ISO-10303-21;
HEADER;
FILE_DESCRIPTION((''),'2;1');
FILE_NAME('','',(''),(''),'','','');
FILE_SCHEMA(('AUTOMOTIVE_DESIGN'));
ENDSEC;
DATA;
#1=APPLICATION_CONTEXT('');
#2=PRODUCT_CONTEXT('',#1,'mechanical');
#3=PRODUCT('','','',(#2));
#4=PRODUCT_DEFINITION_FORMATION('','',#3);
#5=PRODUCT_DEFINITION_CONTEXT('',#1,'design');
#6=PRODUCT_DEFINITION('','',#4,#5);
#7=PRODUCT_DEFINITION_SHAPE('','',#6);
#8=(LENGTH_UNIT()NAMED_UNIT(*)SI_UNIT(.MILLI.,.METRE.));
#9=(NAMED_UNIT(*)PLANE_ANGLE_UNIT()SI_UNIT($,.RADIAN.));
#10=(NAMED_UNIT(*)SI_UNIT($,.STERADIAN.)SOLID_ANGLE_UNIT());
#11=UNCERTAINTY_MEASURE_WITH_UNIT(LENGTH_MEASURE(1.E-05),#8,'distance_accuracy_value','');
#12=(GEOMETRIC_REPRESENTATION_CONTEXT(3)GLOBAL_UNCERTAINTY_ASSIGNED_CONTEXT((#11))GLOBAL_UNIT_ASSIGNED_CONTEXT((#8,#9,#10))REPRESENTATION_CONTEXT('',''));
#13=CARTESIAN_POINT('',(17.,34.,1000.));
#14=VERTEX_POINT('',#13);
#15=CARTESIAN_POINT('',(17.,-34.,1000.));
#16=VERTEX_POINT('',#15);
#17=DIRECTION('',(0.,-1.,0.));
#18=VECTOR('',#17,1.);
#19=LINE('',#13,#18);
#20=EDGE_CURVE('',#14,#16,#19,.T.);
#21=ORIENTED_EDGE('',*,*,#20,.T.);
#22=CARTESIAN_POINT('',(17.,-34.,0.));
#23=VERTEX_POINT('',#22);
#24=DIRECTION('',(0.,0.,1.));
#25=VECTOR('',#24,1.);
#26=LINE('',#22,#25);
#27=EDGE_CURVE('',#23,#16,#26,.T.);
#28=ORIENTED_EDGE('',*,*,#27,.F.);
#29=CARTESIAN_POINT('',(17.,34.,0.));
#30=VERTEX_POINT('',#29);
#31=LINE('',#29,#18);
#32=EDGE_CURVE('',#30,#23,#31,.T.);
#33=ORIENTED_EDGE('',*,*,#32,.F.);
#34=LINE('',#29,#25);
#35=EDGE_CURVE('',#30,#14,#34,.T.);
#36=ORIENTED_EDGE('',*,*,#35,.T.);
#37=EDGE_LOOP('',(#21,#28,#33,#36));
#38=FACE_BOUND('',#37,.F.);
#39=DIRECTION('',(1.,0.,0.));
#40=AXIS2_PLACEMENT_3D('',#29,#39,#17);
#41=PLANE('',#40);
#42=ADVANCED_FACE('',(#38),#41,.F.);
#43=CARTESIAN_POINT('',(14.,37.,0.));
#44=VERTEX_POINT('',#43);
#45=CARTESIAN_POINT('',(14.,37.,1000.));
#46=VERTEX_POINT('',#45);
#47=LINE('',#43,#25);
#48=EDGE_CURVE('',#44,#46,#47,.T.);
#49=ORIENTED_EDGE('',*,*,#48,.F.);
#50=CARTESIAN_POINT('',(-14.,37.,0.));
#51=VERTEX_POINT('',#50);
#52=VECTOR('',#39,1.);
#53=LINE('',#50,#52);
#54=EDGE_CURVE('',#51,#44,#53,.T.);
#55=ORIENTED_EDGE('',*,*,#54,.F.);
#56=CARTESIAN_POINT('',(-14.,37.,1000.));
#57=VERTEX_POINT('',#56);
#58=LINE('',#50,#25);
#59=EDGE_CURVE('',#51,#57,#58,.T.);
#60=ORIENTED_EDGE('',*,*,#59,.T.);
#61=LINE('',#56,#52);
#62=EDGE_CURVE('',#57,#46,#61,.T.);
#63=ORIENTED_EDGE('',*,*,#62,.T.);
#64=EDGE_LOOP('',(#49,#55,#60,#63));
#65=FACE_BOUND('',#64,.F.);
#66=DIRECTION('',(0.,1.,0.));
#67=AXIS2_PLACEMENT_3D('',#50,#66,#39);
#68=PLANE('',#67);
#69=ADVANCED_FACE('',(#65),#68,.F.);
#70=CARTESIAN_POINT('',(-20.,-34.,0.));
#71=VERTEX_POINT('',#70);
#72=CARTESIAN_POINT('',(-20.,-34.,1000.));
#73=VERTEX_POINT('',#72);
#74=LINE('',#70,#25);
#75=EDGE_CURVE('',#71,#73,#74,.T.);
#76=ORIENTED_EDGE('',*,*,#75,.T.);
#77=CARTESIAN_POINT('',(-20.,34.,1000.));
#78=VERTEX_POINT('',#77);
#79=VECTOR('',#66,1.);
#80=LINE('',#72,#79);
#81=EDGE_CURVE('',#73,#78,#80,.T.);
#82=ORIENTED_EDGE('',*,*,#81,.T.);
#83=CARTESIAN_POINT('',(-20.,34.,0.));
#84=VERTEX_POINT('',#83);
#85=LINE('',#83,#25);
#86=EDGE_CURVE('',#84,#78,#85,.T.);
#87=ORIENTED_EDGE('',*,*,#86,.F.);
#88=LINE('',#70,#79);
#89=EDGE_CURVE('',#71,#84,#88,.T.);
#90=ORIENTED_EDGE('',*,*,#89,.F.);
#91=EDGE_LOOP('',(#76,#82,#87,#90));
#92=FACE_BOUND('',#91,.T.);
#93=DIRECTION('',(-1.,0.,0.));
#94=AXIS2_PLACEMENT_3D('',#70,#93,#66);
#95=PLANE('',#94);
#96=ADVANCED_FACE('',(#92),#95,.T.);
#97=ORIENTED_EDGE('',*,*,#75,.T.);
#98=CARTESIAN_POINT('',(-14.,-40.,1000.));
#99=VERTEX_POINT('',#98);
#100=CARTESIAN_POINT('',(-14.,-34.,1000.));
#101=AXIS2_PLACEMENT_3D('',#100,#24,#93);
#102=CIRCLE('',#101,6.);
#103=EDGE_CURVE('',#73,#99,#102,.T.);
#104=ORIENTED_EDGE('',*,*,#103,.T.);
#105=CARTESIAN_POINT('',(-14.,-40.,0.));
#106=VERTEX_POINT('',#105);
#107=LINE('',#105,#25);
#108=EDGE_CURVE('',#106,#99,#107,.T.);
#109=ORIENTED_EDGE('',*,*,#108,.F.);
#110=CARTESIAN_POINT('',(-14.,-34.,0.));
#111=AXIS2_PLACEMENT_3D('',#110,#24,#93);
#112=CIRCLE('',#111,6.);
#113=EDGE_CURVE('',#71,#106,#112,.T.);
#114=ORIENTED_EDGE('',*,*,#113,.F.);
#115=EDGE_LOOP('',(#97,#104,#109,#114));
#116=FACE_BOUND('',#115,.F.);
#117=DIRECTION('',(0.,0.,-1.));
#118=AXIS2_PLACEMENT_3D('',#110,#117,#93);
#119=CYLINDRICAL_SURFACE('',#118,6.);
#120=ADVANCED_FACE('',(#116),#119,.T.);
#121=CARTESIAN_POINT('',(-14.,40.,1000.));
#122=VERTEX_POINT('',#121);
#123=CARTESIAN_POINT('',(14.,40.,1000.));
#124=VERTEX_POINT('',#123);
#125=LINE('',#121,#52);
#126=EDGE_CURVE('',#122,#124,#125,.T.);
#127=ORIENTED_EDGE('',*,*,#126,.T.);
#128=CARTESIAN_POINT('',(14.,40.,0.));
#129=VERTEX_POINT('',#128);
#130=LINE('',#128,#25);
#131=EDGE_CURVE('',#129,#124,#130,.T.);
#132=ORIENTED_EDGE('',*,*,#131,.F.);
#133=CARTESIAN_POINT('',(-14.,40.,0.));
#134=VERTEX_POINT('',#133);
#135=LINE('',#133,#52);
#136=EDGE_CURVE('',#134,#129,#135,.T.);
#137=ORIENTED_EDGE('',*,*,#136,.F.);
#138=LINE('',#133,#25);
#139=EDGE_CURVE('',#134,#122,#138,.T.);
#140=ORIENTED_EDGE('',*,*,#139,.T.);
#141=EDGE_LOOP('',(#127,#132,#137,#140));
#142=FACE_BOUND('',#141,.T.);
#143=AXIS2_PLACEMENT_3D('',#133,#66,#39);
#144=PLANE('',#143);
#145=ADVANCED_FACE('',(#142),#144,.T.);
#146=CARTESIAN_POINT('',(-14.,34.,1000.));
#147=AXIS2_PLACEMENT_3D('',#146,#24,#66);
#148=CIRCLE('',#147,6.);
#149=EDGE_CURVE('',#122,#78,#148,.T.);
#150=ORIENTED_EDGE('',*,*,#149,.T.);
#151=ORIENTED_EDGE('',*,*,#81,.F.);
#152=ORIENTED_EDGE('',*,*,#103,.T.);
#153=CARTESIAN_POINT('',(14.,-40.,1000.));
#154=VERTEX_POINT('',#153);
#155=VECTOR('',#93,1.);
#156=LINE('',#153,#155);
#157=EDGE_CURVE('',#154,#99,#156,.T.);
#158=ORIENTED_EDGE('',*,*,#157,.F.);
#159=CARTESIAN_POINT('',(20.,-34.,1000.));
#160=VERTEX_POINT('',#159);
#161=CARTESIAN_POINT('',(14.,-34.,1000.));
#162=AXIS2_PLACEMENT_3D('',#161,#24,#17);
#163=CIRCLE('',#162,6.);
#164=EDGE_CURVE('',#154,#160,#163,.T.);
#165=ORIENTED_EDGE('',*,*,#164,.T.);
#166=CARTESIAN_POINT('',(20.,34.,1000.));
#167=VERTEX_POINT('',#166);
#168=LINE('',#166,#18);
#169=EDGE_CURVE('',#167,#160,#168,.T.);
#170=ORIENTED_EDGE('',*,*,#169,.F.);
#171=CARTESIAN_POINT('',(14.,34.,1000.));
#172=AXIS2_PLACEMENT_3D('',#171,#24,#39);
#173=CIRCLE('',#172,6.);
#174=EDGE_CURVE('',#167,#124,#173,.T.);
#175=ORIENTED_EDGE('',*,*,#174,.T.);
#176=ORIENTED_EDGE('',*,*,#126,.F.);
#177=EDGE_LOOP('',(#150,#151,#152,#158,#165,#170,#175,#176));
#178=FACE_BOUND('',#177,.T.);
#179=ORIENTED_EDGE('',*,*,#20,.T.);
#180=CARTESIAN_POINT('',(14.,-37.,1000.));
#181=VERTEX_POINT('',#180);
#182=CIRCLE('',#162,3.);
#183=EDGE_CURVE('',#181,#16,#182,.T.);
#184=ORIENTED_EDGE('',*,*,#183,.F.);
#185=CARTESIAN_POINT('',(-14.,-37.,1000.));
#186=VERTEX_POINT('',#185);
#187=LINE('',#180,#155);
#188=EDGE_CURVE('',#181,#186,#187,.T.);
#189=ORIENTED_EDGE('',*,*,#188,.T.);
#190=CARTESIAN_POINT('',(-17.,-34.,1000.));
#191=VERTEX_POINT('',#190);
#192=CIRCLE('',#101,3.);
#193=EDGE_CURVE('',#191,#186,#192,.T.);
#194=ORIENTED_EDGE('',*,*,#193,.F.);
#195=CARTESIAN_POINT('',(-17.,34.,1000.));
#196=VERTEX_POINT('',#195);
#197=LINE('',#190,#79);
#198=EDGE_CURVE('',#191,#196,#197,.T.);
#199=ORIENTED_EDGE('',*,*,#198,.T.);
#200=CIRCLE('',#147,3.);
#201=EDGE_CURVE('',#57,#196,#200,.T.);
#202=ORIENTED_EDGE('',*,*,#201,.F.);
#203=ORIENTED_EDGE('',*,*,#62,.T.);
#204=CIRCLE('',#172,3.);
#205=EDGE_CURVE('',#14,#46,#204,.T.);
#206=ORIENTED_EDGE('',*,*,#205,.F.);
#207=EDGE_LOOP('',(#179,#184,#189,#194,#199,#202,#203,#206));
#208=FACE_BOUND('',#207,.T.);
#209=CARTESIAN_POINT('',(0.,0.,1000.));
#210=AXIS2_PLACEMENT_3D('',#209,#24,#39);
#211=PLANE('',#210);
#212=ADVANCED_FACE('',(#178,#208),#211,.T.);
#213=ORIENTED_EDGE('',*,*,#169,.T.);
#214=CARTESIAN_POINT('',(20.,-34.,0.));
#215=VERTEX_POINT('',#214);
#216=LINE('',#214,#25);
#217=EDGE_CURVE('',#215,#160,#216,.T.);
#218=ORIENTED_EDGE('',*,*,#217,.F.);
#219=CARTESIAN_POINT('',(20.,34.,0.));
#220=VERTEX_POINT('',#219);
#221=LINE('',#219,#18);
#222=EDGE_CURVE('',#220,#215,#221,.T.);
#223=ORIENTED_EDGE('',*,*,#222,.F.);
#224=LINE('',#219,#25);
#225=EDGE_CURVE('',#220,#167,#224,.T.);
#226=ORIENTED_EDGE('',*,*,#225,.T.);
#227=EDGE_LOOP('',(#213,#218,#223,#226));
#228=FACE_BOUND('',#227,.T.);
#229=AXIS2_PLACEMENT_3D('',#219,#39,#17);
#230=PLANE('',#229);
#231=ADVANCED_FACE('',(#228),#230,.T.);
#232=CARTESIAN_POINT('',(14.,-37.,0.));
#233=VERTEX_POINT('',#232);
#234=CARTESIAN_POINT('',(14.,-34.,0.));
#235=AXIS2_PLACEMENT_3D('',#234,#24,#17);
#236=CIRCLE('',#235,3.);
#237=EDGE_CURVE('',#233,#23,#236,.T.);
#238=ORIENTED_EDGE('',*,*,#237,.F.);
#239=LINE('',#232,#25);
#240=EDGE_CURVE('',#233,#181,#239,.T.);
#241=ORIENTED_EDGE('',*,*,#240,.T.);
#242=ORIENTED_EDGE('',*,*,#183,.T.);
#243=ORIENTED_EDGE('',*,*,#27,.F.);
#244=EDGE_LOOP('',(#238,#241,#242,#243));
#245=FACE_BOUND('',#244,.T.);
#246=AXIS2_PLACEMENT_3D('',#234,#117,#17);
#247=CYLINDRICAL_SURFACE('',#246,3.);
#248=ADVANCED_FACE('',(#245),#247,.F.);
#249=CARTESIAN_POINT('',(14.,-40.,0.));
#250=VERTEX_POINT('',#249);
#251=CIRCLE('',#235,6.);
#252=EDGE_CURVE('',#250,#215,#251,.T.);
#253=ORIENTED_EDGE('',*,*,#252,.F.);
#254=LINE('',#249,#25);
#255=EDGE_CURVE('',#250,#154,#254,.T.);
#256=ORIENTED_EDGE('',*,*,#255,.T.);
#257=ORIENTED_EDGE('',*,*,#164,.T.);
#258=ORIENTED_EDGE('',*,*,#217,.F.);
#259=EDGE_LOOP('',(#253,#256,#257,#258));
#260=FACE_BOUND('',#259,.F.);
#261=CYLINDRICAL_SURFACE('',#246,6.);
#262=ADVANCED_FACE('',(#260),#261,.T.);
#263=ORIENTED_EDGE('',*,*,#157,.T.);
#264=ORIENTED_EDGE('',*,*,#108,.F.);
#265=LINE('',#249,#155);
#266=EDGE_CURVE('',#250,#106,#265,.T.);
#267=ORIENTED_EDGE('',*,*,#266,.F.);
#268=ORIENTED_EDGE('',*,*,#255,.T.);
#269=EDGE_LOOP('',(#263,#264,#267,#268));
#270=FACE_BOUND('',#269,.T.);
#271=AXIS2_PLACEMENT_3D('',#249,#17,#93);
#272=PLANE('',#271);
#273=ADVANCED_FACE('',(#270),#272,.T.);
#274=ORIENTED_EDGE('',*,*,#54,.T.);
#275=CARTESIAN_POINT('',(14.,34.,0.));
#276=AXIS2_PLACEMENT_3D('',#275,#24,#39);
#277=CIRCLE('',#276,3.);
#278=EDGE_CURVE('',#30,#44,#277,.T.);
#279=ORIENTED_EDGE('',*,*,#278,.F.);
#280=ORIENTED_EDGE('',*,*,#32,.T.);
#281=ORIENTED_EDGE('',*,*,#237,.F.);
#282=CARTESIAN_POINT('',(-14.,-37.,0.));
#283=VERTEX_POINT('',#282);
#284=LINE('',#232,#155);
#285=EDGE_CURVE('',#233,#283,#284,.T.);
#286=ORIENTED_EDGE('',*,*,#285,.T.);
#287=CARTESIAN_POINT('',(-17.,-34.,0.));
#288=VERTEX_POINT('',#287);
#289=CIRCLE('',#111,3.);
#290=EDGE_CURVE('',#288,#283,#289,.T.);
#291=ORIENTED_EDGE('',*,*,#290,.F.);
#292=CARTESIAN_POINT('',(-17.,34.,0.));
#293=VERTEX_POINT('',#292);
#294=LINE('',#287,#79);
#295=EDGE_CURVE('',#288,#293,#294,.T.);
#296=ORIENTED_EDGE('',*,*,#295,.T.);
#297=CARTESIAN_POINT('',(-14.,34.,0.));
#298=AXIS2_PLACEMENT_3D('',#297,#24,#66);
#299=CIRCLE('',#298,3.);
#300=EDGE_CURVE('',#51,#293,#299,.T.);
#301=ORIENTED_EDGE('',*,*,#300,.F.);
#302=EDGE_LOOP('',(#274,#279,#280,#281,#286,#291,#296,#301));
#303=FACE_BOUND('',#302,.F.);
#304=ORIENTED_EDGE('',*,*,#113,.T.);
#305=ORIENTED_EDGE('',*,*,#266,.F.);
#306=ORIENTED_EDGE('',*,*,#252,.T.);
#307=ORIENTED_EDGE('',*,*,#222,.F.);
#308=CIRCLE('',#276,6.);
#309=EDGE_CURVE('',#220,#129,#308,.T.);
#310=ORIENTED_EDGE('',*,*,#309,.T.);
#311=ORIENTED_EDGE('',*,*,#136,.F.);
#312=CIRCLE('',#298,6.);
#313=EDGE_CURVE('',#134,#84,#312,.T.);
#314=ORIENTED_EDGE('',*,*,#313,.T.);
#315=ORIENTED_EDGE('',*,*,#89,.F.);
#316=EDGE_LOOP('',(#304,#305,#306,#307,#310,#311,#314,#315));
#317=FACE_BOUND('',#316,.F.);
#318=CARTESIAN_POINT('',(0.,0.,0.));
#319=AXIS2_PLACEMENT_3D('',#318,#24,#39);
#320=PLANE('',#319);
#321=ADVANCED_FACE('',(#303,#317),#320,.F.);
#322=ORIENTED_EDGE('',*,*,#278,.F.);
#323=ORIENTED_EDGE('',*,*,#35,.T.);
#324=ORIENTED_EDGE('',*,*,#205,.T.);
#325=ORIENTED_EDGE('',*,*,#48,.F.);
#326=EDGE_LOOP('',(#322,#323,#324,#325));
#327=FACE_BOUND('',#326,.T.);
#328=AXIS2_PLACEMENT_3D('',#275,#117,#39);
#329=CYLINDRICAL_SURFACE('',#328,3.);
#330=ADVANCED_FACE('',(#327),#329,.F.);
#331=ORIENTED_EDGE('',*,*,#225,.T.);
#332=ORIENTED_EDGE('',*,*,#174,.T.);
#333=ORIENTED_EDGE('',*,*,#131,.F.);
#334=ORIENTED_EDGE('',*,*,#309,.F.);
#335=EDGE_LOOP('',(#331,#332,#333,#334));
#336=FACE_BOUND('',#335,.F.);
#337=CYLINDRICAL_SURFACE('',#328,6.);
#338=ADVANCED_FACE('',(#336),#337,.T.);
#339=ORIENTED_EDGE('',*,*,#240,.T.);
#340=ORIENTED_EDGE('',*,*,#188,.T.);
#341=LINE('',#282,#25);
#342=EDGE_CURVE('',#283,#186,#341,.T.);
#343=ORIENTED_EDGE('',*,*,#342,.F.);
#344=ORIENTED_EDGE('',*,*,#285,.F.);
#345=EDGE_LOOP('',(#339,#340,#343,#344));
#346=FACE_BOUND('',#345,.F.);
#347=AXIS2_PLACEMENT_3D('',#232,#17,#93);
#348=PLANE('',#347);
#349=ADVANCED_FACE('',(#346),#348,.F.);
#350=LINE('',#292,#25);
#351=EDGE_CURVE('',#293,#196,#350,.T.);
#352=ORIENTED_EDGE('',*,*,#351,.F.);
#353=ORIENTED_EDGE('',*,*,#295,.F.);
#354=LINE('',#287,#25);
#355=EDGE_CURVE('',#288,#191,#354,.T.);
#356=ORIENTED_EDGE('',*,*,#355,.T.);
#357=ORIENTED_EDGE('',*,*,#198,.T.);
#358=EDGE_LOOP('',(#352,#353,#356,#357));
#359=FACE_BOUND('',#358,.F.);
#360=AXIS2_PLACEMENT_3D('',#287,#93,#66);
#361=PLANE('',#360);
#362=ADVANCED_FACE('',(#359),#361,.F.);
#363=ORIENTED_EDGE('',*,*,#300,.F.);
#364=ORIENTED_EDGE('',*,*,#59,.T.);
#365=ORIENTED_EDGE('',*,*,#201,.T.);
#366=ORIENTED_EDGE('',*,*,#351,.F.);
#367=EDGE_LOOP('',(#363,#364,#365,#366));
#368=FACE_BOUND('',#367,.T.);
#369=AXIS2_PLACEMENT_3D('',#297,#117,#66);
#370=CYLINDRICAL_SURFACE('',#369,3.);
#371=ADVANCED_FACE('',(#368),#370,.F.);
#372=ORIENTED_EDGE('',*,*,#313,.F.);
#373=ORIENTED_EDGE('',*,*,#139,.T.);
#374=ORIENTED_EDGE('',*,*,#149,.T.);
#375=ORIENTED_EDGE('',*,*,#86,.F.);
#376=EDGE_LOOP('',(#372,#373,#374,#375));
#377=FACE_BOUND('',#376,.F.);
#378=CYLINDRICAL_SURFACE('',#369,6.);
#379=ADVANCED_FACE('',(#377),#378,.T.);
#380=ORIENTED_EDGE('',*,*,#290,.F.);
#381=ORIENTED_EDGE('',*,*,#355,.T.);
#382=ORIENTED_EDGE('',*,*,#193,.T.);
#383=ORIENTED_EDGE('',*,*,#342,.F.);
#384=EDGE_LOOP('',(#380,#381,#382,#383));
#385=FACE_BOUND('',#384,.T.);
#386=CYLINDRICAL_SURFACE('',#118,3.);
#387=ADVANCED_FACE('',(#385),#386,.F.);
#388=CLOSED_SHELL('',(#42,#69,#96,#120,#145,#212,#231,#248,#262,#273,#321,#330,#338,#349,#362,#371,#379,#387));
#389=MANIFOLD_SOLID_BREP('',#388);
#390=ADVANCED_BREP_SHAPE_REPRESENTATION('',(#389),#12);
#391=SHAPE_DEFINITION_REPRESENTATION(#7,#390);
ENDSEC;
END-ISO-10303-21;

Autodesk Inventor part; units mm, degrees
ref_plane "YZ Plane" through (0, 0, 0) normal (1, 0, 0) x (0, 1, 0)
ref_plane "Start Plane" through (0, 0, 0) normal (0, 0, 1) x (1, 0, 0)
ref_plane "End Plane" through (0, 0, 1000) normal (0, 0, 1) x (1, 0, 0)
sketch "Sketch" plane through (0, 0, 0) normal (0, 0, 1) x (1, 0, 0)
  line L0 (-20, -34) -> (-20, 34)
  line L1 (-14, 40) -> (14, 40)
  line L2 (20, 34) -> (20, -34)
  line L3 (14, -40) -> (-14, -40)
  arc A0 (-20, -34) -> (-14, -40) centre (-14, -34) ccw
  arc A1 (20, 34) -> (14, 40) centre (14, 34) ccw
  arc A2 (-14, 40) -> (-20, 34) centre (-14, 34) ccw
  arc A3 (14, -40) -> (20, -34) centre (14, -34) ccw
  arc A4 (-14, 37) -> (-17, 34) centre (-14, 34) ccw
  line L4 (-14, 37) -> (14, 37)
  arc A5 (17, 34) -> (14, 37) centre (14, 34) ccw
  line L5 (17, 34) -> (17, -34)
  arc A6 (14, -37) -> (17, -34) centre (14, -34) ccw
  line L6 (14, -37) -> (-14, -37)
  arc A7 (-17, -34) -> (-14, -37) centre (-14, -34) ccw
  line L7 (-17, -34) -> (-17, 34)
  line L8 (0, 57.7397) -> (0, -57.7397) construction
  line L9 (-29.7397, 0) -> (29.7397, 0) construction
  dimension "d7" = 6
  dimension "d9" = 40
  dimension "d11" = 80
  dimension "d12" = 3
  dimension "d15" = 20
  dimension "d16" = 40
extrude "Body" add sketch "Sketch" along normal up to surface (1000 mm away) from surface at 0
sketch "Sketch3" plane through (0, 0, 0) normal (0, 0, 1) x (1, 0, 0)
  line L0 (0, 0) -> (10, 0)
ref_plane "Work Plane3" through (0, 0, 0) normal (0, -1, 0) x (1, 0, 0)
sketch "Sketch4" plane through (0, 0, 0) normal (0, -1, 0) x (1, 0, 0)
  line L0 (-2, 0) -> (12, 0) projected
  line L1 (-2, 1000) -> (12, 1000) projected
  dimension "d18" = 1000
equation "\"d7\" = G_IR"
equation "\"d9\" = G_W"
equation "\"d11\" = G_H"
equation "\"d12\" = G_T"
equation "\"d15\" = 0.5 * d9"
equation "\"d16\" = 0.5 * d11"
equation "\"d3\" = G_L"
equation "\"G_W\" = 40"
equation "\"G_H\" = 80"
equation "\"G_T\" = 3"
equation "\"G_IR\" = 6"
equation "\"G_L\" = d18"
equation "\"G_OFFSET_START\" = 0"
equation "\"G_OFFSET_END\" = 0"
properties part number "ISO 10799-2 - 80x40x3 - 1000" material "Steel, Mild"
